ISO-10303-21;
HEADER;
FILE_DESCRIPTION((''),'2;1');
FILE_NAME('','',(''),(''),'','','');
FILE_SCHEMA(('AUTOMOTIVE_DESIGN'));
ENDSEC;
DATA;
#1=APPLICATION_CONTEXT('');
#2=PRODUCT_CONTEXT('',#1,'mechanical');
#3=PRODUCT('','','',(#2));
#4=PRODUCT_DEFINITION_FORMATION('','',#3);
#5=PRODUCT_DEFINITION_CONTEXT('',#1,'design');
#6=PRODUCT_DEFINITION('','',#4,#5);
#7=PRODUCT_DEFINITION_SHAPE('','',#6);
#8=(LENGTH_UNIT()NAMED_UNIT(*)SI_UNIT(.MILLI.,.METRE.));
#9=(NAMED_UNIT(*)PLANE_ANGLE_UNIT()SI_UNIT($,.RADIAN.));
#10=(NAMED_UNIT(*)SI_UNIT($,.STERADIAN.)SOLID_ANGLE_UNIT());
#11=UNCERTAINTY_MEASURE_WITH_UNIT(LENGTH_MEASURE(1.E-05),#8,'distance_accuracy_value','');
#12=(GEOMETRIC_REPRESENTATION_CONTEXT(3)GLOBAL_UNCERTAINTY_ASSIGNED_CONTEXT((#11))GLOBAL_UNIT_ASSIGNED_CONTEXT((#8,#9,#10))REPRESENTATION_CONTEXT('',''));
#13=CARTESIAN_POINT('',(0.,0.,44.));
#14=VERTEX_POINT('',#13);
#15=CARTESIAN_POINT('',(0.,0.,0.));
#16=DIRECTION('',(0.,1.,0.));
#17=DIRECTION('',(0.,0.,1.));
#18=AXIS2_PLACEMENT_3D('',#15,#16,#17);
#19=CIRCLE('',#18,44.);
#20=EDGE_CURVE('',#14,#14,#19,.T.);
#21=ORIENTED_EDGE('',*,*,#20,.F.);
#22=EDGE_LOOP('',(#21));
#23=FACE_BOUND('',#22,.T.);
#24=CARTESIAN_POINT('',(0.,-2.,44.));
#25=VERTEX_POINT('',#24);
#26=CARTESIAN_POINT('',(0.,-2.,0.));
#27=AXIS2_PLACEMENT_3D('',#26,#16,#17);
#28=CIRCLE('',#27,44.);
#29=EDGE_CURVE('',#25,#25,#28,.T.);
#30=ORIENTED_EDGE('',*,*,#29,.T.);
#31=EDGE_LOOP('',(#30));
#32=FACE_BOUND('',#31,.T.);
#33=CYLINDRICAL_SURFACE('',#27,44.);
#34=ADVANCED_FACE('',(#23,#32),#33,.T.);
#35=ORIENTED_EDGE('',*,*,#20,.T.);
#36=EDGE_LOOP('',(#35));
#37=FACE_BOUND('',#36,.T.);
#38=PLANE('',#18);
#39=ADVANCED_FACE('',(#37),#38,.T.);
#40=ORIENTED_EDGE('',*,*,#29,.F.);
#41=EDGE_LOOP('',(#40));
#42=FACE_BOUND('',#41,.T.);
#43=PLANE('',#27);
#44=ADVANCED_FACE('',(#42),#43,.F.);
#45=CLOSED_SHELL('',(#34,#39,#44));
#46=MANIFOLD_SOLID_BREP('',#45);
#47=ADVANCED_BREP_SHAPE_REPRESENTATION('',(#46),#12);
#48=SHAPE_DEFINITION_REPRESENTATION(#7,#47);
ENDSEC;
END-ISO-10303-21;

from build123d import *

# Parameters (mm, degrees)
SKETCH1_R           = 44
BOSS_EXTRUDE1_DEPTH = 2


with BuildPart() as part:
    # Sketch1 → Boss-Extrude1 (new body)
    with BuildSketch(Plane(origin=(0, 0, 0), x_dir=(1, 0, 0), z_dir=(0, 1, 0))):
        with Locations(Location((0, 0, 0), (0, 0, 270))):
            Circle(SKETCH1_R)
    extrude(amount=-BOSS_EXTRUDE1_DEPTH)


solid = part.part
